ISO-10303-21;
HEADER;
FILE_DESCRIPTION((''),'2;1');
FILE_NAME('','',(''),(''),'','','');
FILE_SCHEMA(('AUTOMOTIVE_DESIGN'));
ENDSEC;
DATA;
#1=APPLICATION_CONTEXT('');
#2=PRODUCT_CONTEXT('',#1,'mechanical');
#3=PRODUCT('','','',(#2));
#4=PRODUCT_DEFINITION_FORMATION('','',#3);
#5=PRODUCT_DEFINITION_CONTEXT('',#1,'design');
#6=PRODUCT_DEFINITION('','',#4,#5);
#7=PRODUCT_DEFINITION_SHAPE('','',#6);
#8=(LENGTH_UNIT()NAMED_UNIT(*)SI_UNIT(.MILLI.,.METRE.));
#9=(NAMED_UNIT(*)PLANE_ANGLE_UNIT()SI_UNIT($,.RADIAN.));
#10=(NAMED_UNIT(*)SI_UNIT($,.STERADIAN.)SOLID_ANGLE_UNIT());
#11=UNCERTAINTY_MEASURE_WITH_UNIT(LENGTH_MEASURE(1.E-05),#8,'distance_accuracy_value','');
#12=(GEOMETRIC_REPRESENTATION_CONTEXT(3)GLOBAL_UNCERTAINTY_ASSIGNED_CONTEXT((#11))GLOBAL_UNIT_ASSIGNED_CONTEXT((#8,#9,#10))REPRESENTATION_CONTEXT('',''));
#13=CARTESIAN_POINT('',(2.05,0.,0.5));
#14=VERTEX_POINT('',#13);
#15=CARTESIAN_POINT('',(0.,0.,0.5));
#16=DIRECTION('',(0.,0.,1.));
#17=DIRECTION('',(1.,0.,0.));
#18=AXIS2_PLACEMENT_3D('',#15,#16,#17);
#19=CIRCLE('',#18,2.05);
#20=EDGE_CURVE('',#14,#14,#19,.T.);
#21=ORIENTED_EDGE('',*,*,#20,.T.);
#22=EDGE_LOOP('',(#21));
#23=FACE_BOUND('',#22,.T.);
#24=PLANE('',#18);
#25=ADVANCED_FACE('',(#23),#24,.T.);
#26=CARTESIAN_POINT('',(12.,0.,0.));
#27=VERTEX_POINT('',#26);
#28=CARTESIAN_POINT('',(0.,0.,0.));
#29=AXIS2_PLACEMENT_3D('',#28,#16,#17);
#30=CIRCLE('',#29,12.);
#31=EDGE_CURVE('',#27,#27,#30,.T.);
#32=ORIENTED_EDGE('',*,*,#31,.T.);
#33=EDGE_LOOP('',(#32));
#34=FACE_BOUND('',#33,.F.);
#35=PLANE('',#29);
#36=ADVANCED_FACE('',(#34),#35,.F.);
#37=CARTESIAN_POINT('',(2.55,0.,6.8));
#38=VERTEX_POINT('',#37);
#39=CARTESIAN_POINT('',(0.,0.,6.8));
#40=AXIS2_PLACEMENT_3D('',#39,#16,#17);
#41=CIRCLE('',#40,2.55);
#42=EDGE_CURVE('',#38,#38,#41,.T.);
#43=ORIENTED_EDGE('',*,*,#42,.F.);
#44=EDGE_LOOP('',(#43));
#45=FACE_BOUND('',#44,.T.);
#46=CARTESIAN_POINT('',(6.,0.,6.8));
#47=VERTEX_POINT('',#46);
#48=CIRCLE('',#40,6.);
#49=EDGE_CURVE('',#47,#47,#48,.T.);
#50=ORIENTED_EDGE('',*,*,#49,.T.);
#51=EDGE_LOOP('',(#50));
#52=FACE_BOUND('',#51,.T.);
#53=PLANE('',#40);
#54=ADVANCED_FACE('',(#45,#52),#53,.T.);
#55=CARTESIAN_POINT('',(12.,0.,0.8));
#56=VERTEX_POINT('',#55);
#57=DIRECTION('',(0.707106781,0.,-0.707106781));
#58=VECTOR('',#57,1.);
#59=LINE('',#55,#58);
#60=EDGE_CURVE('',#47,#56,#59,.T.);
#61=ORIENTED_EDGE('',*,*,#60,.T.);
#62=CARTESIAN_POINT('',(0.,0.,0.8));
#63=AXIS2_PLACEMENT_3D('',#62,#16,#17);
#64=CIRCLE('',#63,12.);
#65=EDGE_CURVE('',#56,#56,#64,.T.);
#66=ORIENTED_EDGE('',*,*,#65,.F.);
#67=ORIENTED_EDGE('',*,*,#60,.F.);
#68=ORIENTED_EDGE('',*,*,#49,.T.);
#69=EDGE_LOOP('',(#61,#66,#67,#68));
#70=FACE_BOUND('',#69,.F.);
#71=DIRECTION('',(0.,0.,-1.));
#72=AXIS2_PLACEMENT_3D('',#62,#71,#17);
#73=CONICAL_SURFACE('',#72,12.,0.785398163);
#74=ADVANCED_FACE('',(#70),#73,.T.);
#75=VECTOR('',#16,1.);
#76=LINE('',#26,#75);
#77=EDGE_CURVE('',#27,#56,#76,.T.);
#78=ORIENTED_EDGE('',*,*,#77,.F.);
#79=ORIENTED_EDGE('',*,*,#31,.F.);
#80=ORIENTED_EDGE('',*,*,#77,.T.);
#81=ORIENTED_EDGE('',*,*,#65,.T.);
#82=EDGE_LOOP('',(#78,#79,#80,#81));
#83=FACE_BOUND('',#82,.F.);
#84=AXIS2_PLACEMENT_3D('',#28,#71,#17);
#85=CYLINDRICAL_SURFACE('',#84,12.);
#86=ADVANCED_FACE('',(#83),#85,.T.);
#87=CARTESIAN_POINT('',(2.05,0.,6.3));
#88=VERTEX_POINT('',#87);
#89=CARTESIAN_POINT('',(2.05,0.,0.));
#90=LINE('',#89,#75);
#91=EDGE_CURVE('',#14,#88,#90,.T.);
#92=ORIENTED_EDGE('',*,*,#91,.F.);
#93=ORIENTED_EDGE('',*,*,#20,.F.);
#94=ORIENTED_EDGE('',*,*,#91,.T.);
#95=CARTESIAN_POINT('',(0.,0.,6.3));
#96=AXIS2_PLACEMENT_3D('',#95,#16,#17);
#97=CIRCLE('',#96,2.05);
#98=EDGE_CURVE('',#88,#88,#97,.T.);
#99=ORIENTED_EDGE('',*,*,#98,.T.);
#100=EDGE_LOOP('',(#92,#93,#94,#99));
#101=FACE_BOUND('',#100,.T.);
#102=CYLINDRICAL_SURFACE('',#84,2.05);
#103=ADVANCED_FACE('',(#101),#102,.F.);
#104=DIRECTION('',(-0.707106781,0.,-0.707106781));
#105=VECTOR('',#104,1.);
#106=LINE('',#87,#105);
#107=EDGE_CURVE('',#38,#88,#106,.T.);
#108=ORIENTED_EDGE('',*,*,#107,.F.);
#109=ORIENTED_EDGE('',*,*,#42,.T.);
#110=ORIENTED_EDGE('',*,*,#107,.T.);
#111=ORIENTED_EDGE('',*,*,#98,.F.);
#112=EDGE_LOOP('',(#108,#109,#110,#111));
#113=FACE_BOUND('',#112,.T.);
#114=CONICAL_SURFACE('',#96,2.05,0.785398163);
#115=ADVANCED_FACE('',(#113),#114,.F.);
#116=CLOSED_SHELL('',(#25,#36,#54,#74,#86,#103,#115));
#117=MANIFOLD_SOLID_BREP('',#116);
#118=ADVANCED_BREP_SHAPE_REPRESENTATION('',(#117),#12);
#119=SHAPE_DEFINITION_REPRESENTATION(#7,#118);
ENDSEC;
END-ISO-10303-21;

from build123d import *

# Parameters (mm, degrees)
F0_R     = 12
F0_R_2   = 2.05
F1_DEPTH = 6.8
F2_DEPTH = 0.5
F3_SIZE  = 0.5
F4_SIZE  = 6


with BuildPart() as f1:
    # F0 (on Top) → F1 (new body)
    with BuildSketch(Plane.XY):
        Circle(F0_R)
        Circle(F0_R_2, mode=Mode.SUBTRACT)
    extrude(amount=F1_DEPTH)

    # F0 (on Top) → F2 (join)
    with BuildSketch(Plane.XY):
        Circle(F0_R_2)
    extrude(amount=F2_DEPTH)

    # F3
    f3_edges = [f1.edges().sort_by_distance(p)[0] for p in [
        (-2.05, 0, 6.8),
    ]]
    chamfer(f3_edges, length=F3_SIZE)

    # F4
    f4_edges = [f1.edges().sort_by_distance(p)[0] for p in [
        (-12, 0, 6.8),
    ]]
    chamfer(f4_edges, length=F4_SIZE)


solid = f1.part
